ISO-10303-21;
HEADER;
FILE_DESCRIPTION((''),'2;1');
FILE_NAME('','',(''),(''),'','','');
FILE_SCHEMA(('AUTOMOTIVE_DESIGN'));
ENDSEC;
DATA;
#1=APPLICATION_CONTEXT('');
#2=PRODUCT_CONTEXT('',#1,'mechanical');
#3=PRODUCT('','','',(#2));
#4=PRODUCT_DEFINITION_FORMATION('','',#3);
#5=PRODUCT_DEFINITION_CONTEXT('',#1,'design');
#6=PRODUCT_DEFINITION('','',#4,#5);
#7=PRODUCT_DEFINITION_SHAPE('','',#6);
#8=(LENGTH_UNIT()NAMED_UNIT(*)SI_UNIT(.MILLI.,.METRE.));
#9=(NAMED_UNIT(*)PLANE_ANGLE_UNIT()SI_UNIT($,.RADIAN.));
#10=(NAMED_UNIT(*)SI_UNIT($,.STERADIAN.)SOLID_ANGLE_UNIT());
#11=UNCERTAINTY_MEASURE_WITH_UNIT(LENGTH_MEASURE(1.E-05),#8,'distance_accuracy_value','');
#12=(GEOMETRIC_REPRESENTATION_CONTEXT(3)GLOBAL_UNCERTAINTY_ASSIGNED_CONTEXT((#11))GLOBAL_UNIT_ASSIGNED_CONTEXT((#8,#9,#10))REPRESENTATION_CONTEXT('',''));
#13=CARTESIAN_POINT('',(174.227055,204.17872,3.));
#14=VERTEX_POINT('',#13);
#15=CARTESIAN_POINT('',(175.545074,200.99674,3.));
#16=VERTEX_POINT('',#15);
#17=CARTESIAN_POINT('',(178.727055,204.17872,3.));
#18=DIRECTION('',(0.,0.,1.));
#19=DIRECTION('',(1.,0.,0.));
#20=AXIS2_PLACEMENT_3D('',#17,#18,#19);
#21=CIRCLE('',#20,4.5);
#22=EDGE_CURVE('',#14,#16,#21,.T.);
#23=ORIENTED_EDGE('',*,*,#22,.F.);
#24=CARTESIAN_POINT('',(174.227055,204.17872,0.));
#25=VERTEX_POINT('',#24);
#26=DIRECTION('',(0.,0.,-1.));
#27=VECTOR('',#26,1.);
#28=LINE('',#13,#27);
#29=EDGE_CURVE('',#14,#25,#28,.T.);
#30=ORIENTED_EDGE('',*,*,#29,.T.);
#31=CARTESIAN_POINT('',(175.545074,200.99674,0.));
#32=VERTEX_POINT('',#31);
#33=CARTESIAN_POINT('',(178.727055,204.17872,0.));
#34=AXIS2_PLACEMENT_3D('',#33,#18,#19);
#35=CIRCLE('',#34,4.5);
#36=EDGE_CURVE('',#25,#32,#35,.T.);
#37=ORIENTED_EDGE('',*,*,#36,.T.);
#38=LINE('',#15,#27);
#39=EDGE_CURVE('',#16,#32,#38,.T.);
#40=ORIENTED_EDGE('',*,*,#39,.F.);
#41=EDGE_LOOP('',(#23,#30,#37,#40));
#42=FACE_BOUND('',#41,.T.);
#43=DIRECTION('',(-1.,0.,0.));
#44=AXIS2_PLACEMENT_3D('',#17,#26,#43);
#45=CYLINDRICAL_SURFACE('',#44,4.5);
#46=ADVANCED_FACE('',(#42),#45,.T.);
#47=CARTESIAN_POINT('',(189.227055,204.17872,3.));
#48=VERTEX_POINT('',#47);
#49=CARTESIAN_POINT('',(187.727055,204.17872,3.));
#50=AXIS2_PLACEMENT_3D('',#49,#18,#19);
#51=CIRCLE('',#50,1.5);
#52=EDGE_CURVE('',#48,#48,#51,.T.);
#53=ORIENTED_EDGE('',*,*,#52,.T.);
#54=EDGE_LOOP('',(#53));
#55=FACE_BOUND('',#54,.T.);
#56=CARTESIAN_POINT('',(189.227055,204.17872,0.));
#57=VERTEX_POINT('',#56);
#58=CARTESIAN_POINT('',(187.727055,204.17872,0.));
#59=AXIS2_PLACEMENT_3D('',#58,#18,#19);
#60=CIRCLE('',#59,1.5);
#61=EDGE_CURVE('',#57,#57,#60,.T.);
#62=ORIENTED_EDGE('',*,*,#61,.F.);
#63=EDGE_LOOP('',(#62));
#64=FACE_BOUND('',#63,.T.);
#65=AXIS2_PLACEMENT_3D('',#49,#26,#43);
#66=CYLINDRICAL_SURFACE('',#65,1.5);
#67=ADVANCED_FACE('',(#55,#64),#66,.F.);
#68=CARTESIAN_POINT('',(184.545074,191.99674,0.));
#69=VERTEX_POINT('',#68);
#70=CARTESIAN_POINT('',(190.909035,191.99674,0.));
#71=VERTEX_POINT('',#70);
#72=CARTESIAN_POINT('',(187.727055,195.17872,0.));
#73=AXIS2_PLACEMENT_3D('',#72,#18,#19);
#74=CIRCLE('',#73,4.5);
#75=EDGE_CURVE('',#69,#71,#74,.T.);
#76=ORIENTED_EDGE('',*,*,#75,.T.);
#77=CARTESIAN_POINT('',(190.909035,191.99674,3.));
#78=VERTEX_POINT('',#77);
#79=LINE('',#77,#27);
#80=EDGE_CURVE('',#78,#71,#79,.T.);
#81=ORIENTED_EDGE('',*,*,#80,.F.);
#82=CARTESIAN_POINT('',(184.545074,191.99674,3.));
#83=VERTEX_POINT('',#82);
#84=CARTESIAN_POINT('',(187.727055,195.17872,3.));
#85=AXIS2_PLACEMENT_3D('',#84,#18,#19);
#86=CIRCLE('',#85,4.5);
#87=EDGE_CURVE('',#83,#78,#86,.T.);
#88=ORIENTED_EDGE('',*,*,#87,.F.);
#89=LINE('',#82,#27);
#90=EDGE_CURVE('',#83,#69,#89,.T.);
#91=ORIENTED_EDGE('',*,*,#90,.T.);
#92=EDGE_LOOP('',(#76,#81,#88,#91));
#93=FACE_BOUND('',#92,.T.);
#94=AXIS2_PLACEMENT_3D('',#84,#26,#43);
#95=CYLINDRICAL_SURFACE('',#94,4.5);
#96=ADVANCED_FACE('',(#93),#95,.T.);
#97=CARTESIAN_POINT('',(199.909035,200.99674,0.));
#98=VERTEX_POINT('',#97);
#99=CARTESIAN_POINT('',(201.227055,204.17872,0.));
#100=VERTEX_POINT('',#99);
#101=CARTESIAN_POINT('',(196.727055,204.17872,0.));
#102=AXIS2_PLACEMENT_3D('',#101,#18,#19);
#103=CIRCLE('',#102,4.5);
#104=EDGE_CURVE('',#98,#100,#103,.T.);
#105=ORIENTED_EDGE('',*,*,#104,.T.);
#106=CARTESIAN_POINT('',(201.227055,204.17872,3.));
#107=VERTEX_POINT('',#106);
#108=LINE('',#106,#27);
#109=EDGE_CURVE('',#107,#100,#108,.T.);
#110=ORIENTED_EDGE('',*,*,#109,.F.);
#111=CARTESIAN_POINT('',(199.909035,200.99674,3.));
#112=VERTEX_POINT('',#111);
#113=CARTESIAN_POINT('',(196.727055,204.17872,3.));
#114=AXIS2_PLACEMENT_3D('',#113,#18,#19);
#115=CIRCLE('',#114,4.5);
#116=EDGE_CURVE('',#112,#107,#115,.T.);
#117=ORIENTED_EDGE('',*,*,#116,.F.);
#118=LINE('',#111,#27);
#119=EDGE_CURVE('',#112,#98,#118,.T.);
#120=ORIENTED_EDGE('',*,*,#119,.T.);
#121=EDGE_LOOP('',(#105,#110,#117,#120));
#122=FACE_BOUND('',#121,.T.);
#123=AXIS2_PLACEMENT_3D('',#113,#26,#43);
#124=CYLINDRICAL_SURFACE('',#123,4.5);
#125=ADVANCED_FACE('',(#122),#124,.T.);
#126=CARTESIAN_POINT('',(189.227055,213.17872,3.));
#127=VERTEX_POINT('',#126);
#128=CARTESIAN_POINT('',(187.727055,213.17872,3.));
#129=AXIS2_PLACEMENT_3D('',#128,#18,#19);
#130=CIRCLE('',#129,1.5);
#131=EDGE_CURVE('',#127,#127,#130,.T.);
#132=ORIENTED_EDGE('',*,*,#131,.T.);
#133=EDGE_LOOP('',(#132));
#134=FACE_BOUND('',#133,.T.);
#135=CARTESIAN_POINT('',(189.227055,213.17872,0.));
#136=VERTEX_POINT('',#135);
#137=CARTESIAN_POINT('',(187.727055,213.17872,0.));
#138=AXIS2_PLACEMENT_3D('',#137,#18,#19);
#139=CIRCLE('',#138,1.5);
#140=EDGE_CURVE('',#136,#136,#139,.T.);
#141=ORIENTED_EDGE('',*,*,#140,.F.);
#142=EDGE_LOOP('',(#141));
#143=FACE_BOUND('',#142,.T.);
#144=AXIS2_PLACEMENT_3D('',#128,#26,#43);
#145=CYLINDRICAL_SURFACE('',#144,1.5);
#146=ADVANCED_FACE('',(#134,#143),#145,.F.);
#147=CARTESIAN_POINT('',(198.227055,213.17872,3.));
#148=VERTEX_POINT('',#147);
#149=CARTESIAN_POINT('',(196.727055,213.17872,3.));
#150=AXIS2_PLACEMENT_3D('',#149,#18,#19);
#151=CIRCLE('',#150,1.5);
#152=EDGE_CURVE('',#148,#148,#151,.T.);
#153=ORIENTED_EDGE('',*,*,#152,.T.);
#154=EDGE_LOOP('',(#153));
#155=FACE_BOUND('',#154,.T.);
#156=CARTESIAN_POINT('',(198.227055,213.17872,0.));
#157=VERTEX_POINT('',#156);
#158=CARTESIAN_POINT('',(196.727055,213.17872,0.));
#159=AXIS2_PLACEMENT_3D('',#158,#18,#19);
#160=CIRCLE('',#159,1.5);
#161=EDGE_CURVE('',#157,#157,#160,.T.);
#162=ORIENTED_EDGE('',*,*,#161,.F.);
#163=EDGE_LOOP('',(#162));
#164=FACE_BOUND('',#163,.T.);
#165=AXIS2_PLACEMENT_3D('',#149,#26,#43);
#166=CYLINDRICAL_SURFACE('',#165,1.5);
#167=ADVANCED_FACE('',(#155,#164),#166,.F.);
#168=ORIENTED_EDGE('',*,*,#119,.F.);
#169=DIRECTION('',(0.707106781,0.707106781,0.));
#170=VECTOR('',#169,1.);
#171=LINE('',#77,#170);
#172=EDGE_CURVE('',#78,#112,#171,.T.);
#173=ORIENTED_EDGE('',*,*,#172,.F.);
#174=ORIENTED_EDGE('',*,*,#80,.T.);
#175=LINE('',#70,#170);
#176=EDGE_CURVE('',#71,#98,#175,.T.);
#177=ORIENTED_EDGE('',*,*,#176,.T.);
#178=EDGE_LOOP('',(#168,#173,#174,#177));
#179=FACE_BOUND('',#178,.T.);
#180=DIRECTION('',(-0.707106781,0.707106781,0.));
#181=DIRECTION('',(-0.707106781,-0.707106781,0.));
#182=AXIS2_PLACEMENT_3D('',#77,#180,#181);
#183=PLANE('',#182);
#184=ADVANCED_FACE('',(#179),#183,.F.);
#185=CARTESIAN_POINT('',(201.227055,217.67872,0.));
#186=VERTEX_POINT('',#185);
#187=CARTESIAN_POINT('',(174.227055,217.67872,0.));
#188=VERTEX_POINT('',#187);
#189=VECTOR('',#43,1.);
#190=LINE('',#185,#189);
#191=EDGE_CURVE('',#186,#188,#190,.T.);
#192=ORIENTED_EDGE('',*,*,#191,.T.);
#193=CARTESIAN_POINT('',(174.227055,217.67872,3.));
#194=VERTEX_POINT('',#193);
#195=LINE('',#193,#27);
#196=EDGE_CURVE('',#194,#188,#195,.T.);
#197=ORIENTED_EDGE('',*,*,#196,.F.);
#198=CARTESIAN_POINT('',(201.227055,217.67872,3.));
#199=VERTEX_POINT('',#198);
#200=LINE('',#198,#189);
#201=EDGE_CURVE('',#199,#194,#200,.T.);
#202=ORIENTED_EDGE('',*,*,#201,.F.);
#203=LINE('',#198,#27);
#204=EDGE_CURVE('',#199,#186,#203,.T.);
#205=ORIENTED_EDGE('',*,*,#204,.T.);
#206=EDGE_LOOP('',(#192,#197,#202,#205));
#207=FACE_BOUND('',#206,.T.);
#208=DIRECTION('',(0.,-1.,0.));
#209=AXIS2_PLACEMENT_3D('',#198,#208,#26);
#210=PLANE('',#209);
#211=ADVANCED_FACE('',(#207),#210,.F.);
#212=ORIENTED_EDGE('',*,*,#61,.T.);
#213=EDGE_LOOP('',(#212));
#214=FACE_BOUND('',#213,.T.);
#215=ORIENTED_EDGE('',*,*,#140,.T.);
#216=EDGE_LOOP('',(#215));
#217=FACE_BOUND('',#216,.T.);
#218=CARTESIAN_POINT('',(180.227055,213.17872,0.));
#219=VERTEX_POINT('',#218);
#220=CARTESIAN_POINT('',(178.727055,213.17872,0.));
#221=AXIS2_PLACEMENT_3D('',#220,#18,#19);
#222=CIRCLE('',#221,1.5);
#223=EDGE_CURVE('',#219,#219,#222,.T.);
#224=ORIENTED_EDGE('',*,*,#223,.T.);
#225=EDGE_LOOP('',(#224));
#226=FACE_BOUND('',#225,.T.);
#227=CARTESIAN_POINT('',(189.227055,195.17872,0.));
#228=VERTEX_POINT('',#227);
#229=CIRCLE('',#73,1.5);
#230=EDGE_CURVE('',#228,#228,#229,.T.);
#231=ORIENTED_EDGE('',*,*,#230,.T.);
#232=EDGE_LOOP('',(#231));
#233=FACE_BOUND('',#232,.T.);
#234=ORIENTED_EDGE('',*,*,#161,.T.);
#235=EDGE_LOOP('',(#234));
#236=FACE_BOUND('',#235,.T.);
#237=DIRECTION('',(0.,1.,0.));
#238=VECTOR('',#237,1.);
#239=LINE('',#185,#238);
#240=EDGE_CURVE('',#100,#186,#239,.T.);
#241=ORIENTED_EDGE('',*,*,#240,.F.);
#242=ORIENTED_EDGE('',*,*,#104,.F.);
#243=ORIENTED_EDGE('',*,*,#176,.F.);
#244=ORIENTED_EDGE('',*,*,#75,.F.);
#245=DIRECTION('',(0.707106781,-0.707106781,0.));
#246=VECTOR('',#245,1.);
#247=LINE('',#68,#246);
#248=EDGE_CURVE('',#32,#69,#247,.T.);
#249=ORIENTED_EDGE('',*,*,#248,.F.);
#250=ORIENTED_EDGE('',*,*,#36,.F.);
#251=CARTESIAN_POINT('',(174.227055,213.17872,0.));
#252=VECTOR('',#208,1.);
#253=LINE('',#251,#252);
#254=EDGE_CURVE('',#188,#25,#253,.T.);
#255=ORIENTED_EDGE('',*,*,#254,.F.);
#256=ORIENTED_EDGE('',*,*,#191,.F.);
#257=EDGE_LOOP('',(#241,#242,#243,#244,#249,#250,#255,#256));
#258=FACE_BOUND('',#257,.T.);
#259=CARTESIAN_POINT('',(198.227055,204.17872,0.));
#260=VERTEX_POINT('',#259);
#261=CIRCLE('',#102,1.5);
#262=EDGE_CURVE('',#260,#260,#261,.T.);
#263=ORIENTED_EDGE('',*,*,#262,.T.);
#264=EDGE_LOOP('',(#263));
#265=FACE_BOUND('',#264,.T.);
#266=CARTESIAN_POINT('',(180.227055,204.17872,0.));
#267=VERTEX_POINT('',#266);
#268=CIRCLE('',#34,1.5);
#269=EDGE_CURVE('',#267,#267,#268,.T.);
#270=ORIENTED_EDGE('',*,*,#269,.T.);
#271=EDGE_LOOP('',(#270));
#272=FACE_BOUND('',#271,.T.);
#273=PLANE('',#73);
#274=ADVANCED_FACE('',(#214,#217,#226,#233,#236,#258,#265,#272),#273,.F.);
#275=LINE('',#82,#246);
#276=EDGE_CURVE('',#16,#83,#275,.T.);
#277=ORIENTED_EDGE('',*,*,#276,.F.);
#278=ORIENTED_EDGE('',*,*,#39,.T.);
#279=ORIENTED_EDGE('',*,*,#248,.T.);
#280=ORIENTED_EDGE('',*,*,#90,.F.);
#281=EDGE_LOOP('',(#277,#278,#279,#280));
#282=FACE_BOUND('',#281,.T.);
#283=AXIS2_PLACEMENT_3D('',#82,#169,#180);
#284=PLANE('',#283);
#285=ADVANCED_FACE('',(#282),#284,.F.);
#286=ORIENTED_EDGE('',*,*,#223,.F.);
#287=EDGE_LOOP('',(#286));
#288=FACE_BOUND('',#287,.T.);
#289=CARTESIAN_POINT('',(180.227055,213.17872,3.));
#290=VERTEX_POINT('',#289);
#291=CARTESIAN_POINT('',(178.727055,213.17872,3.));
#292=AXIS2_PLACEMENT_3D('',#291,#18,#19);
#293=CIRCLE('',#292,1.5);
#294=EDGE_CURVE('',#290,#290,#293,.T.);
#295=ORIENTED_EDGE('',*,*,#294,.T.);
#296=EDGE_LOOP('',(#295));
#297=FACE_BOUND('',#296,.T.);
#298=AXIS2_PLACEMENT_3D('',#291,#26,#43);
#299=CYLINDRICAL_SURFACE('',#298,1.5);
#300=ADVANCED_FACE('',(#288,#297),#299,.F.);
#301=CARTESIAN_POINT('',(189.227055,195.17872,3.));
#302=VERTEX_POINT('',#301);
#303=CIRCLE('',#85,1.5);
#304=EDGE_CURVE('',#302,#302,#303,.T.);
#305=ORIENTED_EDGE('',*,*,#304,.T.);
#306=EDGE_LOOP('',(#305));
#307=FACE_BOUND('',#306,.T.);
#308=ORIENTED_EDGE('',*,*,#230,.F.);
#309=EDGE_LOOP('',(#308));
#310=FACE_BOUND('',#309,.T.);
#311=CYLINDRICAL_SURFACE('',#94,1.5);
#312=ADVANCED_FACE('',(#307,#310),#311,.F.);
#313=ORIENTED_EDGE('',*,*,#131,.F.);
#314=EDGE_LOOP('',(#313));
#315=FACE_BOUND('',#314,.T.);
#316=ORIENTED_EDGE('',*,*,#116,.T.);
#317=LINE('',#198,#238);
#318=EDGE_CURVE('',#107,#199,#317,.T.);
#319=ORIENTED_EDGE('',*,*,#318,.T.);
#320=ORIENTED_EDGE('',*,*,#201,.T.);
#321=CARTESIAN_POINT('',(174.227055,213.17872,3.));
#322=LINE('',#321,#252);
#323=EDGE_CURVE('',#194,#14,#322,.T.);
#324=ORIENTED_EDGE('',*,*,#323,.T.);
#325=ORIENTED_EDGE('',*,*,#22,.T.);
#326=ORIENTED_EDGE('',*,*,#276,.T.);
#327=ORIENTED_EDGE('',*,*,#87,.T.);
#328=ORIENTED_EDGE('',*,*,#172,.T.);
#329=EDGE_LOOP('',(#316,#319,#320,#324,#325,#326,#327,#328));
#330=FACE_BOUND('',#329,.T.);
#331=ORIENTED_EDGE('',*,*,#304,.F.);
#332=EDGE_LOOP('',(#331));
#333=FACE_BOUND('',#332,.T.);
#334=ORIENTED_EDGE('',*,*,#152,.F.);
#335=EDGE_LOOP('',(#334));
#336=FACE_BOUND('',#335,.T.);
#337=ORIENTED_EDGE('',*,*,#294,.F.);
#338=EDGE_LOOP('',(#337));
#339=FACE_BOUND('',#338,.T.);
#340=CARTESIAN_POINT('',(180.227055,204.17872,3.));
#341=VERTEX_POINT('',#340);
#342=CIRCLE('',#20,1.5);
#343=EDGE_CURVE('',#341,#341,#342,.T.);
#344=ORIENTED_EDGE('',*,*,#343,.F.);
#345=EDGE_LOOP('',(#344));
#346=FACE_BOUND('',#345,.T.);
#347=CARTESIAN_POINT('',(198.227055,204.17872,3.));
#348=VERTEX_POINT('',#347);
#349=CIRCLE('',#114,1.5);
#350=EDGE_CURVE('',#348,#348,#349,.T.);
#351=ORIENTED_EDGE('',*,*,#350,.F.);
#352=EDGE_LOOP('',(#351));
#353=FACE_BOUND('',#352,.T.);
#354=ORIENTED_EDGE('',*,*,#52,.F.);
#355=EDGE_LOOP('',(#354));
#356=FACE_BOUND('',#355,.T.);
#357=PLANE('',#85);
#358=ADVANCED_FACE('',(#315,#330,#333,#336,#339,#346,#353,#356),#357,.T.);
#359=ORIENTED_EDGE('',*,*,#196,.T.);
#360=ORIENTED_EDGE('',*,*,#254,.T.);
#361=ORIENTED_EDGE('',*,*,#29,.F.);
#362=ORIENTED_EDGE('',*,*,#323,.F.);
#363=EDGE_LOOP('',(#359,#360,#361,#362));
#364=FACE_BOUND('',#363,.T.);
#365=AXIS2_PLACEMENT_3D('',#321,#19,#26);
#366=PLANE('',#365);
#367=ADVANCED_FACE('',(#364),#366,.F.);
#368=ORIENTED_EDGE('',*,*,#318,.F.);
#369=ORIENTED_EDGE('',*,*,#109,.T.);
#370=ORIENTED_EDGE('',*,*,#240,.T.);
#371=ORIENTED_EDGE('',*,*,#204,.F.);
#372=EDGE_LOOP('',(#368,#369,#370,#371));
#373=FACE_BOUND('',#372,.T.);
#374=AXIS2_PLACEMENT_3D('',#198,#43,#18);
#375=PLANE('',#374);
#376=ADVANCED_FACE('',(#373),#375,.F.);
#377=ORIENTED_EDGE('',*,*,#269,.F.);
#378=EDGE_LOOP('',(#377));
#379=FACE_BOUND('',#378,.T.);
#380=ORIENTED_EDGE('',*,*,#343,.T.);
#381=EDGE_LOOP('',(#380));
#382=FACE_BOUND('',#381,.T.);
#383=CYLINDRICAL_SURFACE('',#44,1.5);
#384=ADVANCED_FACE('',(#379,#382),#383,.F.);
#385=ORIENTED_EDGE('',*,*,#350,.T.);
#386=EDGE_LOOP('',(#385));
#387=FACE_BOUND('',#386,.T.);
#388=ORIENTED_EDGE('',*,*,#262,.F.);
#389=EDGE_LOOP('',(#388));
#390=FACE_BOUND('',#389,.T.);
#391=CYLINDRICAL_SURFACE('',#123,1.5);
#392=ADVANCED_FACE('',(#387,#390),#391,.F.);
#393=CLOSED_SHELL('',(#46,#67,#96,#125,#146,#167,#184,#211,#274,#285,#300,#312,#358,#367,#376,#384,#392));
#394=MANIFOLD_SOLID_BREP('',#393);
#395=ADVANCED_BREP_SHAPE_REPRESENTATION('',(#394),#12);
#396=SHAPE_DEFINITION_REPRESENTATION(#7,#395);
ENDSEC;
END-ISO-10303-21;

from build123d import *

# Parameters (mm, degrees)
MODEL_R                 = 1.5
SALIENTE_EXTRUIR1_DEPTH = 3


with BuildPart() as part:
    # Model → Saliente-Extruir1 (new body)
    with BuildSketch(Plane.XY):
        with BuildLine():
            Line((174.227054575, 213.178720063), (174.227054575, 204.178720063))
            ThreePointArc((174.227054575, 204.178720063), (174.569596678, 202.456644617), (175.545074059, 200.996739548))
            Line((175.545074059, 200.996739548), (184.545074059, 191.996739548))
            ThreePointArc((184.545074059, 191.996739548), (187.727054575, 190.678720063), (190.90903509, 191.996739548))
            Line((190.90903509, 191.996739548), (199.90903509, 200.996739548))
            ThreePointArc((199.90903509, 200.996739548), (200.884512471, 202.456644617), (201.227054575, 204.178720063))
            Line((201.227054575, 204.178720063), (201.227054575, 217.678720063))
            Line((201.227054575, 217.678720063), (174.227054575, 217.678720063))
            Line((174.227054575, 217.678720063), (174.227054575, 213.178720063))
        make_face()
        with Locations((187.727054575, 204.178720063)):
            Circle(MODEL_R, mode=Mode.SUBTRACT)
        with Locations((178.727054575, 204.178720063)):
            Circle(MODEL_R, mode=Mode.SUBTRACT)
        with Locations((187.727054575, 213.178720063)):
            Circle(MODEL_R, mode=Mode.SUBTRACT)
        with Locations((178.727054575, 213.178720063)):
            Circle(MODEL_R, mode=Mode.SUBTRACT)
        with Locations((196.727054575, 213.178720063)):
            Circle(MODEL_R, mode=Mode.SUBTRACT)
        with Locations((187.727054575, 195.178720063)):
            Circle(MODEL_R, mode=Mode.SUBTRACT)
        with Locations((196.727054575, 204.178720063)):
            Circle(MODEL_R, mode=Mode.SUBTRACT)
    extrude(amount=SALIENTE_EXTRUIR1_DEPTH)


solid = part.part
